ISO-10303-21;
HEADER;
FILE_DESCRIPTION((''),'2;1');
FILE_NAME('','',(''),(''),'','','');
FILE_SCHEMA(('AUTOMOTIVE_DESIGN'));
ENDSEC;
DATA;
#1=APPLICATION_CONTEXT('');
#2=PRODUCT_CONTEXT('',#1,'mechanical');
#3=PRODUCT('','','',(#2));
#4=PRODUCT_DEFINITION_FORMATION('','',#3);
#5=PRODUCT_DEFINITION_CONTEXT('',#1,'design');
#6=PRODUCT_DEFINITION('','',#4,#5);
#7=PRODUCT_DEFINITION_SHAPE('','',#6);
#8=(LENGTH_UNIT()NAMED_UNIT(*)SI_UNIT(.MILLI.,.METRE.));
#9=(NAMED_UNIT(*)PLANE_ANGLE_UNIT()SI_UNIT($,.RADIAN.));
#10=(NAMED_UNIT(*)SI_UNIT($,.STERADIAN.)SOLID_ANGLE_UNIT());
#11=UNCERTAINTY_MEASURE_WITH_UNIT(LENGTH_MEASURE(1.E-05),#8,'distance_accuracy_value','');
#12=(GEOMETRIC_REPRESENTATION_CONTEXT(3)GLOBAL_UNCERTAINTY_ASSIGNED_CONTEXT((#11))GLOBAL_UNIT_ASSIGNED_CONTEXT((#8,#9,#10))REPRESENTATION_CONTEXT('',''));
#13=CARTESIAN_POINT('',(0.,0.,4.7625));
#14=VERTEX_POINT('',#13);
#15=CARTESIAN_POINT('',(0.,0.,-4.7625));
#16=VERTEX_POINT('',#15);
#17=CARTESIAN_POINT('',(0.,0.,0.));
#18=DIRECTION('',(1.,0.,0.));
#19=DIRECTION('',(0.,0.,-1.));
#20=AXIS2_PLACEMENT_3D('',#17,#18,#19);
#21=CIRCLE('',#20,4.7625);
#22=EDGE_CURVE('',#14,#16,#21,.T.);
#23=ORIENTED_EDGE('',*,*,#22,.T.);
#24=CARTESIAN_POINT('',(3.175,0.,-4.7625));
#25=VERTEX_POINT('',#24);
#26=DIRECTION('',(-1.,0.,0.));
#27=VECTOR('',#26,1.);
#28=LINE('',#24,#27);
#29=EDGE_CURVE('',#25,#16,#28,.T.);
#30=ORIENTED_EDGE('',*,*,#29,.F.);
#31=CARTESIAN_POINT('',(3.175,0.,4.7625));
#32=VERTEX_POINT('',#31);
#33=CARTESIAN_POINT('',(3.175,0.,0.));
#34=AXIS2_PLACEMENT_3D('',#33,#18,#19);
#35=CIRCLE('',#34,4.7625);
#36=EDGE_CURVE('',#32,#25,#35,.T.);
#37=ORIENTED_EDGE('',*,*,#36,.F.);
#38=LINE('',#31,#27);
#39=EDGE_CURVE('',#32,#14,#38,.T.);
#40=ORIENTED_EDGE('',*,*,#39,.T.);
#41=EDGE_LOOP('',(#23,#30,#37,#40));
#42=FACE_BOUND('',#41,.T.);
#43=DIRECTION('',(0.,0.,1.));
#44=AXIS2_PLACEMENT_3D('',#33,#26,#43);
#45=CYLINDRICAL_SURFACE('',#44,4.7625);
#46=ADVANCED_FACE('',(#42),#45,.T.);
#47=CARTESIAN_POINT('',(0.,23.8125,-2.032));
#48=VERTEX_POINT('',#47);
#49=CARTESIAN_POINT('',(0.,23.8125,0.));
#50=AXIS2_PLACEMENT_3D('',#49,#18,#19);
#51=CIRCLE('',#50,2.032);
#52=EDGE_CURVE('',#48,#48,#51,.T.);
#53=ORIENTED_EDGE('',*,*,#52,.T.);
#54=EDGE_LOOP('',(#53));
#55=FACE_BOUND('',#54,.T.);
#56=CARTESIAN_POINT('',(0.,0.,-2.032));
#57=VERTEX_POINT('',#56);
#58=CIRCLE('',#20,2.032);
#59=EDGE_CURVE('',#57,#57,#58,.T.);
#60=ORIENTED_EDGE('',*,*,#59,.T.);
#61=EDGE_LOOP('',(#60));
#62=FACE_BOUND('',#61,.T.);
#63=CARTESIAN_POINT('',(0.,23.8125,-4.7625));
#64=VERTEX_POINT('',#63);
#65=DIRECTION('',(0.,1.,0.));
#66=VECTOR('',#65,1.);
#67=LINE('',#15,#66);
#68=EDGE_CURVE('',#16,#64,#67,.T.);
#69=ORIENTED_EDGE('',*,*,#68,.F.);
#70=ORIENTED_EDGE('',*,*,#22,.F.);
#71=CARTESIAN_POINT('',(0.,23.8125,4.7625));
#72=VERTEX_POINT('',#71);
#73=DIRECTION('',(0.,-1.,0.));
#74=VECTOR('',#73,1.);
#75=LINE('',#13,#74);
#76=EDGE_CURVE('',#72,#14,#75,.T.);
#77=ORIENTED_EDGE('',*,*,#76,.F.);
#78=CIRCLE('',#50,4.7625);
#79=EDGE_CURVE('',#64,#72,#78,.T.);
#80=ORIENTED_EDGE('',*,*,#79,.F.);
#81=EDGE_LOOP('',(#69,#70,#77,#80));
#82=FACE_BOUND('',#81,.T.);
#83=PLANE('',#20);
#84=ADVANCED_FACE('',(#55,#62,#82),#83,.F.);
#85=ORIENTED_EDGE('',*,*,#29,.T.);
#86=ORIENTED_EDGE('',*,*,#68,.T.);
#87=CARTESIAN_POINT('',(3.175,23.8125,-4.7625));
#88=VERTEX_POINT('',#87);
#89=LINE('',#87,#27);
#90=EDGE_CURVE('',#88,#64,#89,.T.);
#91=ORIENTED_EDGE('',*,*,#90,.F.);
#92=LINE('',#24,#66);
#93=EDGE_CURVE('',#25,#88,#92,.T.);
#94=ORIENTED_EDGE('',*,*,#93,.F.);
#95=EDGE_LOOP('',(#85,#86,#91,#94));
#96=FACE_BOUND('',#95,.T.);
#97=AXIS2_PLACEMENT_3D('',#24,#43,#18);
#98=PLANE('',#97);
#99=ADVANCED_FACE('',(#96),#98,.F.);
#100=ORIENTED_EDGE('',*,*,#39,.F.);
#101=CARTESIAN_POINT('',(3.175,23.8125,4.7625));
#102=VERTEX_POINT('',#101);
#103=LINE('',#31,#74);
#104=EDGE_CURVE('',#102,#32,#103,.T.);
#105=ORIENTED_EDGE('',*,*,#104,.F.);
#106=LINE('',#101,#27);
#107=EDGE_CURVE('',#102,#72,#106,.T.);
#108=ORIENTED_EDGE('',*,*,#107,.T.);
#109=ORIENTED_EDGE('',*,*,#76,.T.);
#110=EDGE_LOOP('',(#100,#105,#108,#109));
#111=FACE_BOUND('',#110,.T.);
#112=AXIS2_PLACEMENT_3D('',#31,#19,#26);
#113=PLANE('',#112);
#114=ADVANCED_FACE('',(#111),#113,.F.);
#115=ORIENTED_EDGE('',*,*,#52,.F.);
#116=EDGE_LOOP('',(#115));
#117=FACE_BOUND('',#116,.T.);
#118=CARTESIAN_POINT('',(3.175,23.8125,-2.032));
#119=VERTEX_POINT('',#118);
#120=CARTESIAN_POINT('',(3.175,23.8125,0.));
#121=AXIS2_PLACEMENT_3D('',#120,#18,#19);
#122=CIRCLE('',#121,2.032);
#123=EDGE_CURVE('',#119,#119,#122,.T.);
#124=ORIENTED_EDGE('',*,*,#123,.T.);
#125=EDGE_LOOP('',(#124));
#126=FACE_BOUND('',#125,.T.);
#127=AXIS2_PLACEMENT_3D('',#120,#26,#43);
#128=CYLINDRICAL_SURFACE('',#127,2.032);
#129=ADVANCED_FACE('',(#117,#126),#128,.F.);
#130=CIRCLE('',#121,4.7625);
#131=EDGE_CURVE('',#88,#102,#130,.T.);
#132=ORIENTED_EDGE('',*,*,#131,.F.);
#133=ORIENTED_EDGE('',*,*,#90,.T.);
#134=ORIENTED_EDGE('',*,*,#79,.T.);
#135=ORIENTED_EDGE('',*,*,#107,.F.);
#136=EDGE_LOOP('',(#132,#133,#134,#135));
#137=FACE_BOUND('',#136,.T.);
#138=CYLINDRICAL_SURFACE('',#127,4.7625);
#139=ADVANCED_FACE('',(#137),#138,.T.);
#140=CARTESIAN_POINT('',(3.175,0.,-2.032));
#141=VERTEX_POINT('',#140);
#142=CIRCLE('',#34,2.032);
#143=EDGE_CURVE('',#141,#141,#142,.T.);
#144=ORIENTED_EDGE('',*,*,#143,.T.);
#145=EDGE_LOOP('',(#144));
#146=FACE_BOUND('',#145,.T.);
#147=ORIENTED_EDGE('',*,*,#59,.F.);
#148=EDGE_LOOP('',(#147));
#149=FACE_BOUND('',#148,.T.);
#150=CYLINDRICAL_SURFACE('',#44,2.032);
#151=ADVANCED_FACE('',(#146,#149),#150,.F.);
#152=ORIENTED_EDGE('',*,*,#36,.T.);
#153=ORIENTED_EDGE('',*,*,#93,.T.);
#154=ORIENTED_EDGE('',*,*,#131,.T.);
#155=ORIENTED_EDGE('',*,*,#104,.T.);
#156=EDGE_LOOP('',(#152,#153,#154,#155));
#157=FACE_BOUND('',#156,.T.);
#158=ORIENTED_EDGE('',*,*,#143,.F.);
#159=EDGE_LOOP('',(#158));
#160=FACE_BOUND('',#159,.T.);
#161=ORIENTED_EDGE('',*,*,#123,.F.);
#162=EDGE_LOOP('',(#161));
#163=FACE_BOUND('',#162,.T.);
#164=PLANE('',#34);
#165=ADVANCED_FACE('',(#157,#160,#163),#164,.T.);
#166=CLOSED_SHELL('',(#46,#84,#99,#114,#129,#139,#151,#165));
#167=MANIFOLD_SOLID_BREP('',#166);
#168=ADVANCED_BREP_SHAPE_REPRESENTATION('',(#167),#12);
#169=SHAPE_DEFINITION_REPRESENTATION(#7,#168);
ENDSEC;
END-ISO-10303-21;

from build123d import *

# Parameters (mm, degrees)
SKETCH1_R           = 2.032
BOSS_EXTRUDE1_DEPTH = 3.175


with BuildPart() as part:
    # Sketch1 → Boss-Extrude1 (new body)
    with BuildSketch(Plane(origin=(0, 0, 0), x_dir=(0, 0, -1), z_dir=(1, 0, 0))):
        with BuildLine():
            Line((-4.7625, 0), (-4.7625, 23.8125))
            ThreePointArc((-4.7625, 23.8125), (0, 28.575), (4.7625, 23.8125))
            Line((4.7625, 23.8125), (4.7625, 0))
            ThreePointArc((4.7625, 0), (0, -4.7625), (-4.7625, 0))
        make_face()
        with Locations((0, 23.8125)):
            Circle(SKETCH1_R, mode=Mode.SUBTRACT)
        Circle(SKETCH1_R, mode=Mode.SUBTRACT)
    extrude(amount=BOSS_EXTRUDE1_DEPTH)


solid = part.part
